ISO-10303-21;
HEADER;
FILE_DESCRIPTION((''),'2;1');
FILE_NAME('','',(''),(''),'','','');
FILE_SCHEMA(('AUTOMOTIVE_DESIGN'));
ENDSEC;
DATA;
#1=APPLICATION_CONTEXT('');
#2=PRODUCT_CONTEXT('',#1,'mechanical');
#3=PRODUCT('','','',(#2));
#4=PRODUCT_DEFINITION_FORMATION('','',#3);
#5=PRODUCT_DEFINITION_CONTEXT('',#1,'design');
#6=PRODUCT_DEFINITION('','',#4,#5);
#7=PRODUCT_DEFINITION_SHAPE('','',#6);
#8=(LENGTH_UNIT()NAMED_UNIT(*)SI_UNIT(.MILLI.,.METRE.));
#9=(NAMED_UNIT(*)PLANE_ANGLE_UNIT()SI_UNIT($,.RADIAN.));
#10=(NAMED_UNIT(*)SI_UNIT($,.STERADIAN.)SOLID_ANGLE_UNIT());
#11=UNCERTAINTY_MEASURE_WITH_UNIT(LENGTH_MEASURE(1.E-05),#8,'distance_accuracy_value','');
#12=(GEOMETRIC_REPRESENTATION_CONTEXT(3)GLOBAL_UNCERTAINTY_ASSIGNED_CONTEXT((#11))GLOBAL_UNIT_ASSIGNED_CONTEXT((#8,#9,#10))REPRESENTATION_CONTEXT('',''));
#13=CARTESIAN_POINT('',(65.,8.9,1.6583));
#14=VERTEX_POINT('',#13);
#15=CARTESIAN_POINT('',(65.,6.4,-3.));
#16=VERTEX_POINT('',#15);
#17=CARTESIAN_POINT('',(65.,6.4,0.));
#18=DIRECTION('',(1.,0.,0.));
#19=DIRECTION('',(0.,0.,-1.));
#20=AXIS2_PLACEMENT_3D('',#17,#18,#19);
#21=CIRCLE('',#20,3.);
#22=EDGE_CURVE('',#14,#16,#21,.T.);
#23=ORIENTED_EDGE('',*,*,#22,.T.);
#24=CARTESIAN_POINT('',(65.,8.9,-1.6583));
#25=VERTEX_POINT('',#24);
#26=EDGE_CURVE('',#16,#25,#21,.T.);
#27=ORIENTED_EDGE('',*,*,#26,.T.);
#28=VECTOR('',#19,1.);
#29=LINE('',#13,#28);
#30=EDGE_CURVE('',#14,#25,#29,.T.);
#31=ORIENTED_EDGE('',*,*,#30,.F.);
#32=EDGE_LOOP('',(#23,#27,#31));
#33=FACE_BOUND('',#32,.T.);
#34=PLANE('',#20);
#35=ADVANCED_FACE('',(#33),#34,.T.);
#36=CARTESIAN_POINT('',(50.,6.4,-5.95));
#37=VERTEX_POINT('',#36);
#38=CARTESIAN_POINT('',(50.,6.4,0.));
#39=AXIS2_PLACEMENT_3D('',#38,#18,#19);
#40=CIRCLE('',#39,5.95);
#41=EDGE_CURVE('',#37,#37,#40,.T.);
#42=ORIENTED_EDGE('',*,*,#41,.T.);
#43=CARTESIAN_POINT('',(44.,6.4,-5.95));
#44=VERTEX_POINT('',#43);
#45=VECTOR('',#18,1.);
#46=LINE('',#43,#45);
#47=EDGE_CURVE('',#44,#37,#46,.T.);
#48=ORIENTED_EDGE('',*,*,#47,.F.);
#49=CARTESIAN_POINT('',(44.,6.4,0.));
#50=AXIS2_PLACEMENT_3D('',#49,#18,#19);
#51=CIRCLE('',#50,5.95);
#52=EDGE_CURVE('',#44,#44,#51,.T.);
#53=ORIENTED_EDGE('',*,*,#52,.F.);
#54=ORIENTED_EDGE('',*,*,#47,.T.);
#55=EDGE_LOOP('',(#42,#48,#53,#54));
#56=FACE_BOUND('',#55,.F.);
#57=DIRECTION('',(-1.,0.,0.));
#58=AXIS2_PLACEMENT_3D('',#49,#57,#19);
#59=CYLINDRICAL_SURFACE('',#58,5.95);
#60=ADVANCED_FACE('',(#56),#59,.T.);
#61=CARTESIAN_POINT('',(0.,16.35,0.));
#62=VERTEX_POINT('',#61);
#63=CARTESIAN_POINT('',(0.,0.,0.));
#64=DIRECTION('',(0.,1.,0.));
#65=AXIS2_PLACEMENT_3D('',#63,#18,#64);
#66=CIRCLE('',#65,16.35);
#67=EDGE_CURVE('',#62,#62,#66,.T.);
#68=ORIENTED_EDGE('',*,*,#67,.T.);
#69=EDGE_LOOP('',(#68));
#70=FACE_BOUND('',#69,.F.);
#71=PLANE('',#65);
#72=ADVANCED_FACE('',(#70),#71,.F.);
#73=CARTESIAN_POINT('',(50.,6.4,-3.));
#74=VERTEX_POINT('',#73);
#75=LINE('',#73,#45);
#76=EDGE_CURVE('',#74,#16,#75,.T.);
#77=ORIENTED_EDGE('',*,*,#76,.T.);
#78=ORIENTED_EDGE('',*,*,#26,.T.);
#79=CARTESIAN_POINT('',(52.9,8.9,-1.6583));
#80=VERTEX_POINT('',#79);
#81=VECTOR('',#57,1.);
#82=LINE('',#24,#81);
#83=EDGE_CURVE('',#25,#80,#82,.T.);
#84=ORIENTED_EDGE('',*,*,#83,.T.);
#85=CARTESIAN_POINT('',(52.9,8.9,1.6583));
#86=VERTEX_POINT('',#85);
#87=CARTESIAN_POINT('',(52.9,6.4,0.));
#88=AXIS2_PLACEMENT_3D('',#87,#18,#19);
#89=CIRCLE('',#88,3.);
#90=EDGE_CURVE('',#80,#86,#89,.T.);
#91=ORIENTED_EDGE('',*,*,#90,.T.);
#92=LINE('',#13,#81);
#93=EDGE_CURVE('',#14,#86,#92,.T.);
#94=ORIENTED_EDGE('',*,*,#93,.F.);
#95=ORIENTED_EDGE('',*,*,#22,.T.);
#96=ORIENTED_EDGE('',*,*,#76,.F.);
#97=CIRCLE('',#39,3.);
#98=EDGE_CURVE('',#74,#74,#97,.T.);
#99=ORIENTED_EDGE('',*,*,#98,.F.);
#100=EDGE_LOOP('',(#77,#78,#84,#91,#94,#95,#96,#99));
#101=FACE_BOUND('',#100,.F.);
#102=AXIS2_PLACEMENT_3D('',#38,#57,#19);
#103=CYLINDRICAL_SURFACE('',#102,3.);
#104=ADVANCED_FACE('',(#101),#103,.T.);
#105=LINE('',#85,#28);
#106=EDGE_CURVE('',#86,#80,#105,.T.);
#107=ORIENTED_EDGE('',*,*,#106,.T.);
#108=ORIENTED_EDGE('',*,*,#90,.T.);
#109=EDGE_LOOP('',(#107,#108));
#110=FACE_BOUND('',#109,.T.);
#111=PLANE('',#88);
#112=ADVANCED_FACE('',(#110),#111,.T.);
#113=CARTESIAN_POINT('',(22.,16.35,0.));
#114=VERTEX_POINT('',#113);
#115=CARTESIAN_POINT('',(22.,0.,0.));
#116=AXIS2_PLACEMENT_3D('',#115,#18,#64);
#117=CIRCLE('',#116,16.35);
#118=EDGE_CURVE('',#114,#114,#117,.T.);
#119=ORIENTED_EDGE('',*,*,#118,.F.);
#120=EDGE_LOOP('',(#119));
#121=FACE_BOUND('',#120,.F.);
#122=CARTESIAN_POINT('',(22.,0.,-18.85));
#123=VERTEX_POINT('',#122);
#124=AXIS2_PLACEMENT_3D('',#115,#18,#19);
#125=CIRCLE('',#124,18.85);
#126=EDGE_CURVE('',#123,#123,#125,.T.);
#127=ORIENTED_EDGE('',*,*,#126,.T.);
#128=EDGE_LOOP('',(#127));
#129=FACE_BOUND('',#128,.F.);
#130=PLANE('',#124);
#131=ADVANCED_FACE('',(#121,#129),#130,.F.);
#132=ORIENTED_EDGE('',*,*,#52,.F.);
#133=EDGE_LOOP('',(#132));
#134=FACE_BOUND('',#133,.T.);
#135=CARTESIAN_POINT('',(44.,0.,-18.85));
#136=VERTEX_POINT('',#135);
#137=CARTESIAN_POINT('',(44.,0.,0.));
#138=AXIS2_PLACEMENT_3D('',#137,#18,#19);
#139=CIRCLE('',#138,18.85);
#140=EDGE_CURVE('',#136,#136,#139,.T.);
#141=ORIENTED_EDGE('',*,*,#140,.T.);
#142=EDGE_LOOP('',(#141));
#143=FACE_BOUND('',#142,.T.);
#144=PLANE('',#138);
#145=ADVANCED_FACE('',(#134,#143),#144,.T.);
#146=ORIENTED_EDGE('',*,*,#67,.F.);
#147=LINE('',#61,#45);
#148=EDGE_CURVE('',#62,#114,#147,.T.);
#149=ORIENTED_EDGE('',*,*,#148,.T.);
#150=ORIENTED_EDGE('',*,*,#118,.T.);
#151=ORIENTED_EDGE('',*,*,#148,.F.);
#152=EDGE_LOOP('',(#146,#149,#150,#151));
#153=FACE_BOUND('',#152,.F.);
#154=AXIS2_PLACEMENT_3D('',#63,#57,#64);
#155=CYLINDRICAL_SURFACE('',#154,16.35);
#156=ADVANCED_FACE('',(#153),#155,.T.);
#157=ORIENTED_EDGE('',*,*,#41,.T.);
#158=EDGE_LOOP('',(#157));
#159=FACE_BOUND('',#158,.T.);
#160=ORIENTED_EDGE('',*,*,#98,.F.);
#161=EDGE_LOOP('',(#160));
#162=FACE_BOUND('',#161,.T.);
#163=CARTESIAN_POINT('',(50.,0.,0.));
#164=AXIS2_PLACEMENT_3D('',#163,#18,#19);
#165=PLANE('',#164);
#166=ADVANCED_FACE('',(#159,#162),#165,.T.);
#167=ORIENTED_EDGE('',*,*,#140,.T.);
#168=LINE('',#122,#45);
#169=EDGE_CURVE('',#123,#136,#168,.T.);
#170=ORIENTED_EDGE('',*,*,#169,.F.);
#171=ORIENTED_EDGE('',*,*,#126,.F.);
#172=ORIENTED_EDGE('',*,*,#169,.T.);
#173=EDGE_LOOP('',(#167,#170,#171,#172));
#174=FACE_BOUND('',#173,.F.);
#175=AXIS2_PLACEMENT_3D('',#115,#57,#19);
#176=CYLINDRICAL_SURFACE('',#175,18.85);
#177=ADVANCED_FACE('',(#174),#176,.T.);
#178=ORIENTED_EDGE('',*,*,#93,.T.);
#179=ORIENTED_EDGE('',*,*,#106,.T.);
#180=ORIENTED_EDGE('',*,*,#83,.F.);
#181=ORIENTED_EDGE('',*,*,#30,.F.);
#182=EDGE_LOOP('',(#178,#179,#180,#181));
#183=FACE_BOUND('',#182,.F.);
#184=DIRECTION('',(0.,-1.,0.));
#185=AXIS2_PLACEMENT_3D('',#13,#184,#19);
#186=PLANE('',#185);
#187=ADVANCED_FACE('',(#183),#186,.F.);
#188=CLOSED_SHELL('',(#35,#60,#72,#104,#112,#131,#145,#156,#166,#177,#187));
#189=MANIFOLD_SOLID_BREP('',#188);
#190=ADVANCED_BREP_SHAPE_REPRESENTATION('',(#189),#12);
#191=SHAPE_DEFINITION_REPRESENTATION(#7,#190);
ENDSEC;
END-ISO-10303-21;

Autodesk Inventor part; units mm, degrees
ref_plane "YZ Plane" through (0, 0, 0) normal (1, 0, 0) x (0, 1, 0)
ref_plane "XZ Plane" through (0, 0, 0) normal (0, 1, 0) x (-1, 0, 0)
ref_plane "XY Plane" through (0, 0, 0) normal (0, 0, 1) x (1, 0, 0)
sketch "Sketch1" plane through (0, 0, 0) normal (1, 0, 0) x (0, 1, 0)
  circle A0 centre (0, 0) radius 16.35
  dimension "d0" = 32.7
extrude "Extrusion1" add sketch "Sketch1" along normal blind 22
sketch "Sketch2" plane through (22, 0, 0) normal (1, 0, 0) x (0, 0, -1)
  circle A0 centre (0, 0) radius 18.85
  dimension "d3" = 37.7
extrude "Extrusion2" add sketch "Sketch2" along normal blind 22
sketch "Sketch3" plane through (44, 0, 0) normal (1, 0, 0) x (0, 0, -1)
  circle A0 centre (0, 6.4) radius 5.95
  circle A1 centre (0, 0) radius 18.85 projected
  line L0 (0, 18.85) -> (0, 12.35) construction
  dimension "d8" = 11.9
  dimension "d7" = 6.5
extrude "Extrusion3" add sketch "Sketch3" along normal blind 6 contours A0
sketch "Sketch4" plane through (50, 6.4, 0) normal (1, 0, 0) x (0, 0, -1)
  circle A0 centre (0, 0) radius 5.95 projected
  circle A1 centre (0, 0) radius 3
  point P0 (0, -6.4)
  dimension "d14" = 6
extrude "Extrusion4" add sketch "Sketch4" along normal blind 15 contours A1
sketch "Sketch5" plane through (65, 6.4, 0) normal (1, 0, 0) x (0, 0, -1)
  circle A0 centre (0, 0) radius 3 projected
  line L0 (-1.6583, 2.5) -> (1.6583, 2.5)
  point P0 (0, 2.5)
  dimension "d17" = 2.5
extrude "Extrusion5" cut sketch "Sketch5" against normal blind 12.1 contours L0 A0 picked at (-0.1169, 2.6598)
properties part number "Drive Motor approximate"
